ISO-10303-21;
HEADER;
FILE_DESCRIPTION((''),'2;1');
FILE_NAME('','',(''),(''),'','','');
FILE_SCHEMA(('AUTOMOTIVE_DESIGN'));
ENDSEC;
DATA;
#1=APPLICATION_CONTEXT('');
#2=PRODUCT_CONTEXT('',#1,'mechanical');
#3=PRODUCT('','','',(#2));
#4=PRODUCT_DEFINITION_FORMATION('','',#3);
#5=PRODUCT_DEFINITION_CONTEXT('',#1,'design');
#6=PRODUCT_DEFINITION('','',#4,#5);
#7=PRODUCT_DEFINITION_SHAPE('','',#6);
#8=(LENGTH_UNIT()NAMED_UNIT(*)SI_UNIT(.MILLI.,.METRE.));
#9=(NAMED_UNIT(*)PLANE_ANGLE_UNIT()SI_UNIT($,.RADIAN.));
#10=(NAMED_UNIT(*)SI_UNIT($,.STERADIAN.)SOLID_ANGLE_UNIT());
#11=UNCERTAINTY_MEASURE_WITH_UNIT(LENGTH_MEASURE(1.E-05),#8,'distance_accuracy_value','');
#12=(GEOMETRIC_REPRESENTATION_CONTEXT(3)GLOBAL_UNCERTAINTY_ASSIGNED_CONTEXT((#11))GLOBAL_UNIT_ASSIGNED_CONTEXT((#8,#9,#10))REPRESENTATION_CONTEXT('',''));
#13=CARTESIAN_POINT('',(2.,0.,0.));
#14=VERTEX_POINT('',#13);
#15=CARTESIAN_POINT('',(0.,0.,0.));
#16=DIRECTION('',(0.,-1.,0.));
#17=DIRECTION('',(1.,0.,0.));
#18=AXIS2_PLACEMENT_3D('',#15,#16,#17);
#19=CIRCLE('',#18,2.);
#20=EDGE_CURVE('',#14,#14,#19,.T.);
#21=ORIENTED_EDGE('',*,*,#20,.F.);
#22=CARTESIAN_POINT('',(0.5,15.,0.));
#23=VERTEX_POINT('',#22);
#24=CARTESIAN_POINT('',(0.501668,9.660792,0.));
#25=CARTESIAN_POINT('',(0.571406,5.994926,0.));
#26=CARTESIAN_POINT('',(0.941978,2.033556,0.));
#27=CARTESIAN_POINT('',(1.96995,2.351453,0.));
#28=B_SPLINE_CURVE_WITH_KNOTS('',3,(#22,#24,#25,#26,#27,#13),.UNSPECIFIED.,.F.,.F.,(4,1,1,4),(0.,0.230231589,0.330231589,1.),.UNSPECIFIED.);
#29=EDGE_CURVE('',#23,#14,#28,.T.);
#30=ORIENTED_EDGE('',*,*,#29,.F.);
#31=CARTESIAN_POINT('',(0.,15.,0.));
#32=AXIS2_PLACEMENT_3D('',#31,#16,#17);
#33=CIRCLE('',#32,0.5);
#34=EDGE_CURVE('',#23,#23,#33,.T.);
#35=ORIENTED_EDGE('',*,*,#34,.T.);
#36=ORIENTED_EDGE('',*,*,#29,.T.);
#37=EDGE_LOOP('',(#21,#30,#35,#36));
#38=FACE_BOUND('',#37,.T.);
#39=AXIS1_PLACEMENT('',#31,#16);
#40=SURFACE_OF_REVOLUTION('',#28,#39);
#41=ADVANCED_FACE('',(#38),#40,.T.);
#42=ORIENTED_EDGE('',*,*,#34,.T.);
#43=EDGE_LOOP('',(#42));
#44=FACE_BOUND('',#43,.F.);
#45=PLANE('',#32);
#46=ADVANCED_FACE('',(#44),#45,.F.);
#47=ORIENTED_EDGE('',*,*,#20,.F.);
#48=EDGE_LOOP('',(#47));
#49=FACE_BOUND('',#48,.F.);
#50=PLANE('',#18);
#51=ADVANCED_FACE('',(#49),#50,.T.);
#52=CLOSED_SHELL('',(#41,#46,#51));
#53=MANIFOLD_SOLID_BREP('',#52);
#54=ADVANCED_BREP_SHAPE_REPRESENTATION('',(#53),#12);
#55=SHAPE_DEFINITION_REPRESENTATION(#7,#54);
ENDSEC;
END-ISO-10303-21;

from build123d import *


with BuildPart() as part:
    # Sketch1 → Revolve8 (revolve)
    with BuildSketch(Plane.XY):
        with BuildLine():
            Line((0, 15), (0, 0))
            Line((0, 0), (2, 0))
            add(Edge.make_bspline(
                [(0.5, 15), (0.501667507, 9.660791997), (0.5714057, 5.994926019), (0.941978143, 2.03355611), (1.969950282, 2.351453197), (2, 0)],
                knots=[0, 0, 0, 0, 0.230231589, 0.330231589, 1, 1, 1, 1], degree=3))
            Line((0.5, 15), (0, 15))
        make_face()
    revolve(axis=Axis((0, 15, 0), (0, -1, 0)))


solid = part.part
